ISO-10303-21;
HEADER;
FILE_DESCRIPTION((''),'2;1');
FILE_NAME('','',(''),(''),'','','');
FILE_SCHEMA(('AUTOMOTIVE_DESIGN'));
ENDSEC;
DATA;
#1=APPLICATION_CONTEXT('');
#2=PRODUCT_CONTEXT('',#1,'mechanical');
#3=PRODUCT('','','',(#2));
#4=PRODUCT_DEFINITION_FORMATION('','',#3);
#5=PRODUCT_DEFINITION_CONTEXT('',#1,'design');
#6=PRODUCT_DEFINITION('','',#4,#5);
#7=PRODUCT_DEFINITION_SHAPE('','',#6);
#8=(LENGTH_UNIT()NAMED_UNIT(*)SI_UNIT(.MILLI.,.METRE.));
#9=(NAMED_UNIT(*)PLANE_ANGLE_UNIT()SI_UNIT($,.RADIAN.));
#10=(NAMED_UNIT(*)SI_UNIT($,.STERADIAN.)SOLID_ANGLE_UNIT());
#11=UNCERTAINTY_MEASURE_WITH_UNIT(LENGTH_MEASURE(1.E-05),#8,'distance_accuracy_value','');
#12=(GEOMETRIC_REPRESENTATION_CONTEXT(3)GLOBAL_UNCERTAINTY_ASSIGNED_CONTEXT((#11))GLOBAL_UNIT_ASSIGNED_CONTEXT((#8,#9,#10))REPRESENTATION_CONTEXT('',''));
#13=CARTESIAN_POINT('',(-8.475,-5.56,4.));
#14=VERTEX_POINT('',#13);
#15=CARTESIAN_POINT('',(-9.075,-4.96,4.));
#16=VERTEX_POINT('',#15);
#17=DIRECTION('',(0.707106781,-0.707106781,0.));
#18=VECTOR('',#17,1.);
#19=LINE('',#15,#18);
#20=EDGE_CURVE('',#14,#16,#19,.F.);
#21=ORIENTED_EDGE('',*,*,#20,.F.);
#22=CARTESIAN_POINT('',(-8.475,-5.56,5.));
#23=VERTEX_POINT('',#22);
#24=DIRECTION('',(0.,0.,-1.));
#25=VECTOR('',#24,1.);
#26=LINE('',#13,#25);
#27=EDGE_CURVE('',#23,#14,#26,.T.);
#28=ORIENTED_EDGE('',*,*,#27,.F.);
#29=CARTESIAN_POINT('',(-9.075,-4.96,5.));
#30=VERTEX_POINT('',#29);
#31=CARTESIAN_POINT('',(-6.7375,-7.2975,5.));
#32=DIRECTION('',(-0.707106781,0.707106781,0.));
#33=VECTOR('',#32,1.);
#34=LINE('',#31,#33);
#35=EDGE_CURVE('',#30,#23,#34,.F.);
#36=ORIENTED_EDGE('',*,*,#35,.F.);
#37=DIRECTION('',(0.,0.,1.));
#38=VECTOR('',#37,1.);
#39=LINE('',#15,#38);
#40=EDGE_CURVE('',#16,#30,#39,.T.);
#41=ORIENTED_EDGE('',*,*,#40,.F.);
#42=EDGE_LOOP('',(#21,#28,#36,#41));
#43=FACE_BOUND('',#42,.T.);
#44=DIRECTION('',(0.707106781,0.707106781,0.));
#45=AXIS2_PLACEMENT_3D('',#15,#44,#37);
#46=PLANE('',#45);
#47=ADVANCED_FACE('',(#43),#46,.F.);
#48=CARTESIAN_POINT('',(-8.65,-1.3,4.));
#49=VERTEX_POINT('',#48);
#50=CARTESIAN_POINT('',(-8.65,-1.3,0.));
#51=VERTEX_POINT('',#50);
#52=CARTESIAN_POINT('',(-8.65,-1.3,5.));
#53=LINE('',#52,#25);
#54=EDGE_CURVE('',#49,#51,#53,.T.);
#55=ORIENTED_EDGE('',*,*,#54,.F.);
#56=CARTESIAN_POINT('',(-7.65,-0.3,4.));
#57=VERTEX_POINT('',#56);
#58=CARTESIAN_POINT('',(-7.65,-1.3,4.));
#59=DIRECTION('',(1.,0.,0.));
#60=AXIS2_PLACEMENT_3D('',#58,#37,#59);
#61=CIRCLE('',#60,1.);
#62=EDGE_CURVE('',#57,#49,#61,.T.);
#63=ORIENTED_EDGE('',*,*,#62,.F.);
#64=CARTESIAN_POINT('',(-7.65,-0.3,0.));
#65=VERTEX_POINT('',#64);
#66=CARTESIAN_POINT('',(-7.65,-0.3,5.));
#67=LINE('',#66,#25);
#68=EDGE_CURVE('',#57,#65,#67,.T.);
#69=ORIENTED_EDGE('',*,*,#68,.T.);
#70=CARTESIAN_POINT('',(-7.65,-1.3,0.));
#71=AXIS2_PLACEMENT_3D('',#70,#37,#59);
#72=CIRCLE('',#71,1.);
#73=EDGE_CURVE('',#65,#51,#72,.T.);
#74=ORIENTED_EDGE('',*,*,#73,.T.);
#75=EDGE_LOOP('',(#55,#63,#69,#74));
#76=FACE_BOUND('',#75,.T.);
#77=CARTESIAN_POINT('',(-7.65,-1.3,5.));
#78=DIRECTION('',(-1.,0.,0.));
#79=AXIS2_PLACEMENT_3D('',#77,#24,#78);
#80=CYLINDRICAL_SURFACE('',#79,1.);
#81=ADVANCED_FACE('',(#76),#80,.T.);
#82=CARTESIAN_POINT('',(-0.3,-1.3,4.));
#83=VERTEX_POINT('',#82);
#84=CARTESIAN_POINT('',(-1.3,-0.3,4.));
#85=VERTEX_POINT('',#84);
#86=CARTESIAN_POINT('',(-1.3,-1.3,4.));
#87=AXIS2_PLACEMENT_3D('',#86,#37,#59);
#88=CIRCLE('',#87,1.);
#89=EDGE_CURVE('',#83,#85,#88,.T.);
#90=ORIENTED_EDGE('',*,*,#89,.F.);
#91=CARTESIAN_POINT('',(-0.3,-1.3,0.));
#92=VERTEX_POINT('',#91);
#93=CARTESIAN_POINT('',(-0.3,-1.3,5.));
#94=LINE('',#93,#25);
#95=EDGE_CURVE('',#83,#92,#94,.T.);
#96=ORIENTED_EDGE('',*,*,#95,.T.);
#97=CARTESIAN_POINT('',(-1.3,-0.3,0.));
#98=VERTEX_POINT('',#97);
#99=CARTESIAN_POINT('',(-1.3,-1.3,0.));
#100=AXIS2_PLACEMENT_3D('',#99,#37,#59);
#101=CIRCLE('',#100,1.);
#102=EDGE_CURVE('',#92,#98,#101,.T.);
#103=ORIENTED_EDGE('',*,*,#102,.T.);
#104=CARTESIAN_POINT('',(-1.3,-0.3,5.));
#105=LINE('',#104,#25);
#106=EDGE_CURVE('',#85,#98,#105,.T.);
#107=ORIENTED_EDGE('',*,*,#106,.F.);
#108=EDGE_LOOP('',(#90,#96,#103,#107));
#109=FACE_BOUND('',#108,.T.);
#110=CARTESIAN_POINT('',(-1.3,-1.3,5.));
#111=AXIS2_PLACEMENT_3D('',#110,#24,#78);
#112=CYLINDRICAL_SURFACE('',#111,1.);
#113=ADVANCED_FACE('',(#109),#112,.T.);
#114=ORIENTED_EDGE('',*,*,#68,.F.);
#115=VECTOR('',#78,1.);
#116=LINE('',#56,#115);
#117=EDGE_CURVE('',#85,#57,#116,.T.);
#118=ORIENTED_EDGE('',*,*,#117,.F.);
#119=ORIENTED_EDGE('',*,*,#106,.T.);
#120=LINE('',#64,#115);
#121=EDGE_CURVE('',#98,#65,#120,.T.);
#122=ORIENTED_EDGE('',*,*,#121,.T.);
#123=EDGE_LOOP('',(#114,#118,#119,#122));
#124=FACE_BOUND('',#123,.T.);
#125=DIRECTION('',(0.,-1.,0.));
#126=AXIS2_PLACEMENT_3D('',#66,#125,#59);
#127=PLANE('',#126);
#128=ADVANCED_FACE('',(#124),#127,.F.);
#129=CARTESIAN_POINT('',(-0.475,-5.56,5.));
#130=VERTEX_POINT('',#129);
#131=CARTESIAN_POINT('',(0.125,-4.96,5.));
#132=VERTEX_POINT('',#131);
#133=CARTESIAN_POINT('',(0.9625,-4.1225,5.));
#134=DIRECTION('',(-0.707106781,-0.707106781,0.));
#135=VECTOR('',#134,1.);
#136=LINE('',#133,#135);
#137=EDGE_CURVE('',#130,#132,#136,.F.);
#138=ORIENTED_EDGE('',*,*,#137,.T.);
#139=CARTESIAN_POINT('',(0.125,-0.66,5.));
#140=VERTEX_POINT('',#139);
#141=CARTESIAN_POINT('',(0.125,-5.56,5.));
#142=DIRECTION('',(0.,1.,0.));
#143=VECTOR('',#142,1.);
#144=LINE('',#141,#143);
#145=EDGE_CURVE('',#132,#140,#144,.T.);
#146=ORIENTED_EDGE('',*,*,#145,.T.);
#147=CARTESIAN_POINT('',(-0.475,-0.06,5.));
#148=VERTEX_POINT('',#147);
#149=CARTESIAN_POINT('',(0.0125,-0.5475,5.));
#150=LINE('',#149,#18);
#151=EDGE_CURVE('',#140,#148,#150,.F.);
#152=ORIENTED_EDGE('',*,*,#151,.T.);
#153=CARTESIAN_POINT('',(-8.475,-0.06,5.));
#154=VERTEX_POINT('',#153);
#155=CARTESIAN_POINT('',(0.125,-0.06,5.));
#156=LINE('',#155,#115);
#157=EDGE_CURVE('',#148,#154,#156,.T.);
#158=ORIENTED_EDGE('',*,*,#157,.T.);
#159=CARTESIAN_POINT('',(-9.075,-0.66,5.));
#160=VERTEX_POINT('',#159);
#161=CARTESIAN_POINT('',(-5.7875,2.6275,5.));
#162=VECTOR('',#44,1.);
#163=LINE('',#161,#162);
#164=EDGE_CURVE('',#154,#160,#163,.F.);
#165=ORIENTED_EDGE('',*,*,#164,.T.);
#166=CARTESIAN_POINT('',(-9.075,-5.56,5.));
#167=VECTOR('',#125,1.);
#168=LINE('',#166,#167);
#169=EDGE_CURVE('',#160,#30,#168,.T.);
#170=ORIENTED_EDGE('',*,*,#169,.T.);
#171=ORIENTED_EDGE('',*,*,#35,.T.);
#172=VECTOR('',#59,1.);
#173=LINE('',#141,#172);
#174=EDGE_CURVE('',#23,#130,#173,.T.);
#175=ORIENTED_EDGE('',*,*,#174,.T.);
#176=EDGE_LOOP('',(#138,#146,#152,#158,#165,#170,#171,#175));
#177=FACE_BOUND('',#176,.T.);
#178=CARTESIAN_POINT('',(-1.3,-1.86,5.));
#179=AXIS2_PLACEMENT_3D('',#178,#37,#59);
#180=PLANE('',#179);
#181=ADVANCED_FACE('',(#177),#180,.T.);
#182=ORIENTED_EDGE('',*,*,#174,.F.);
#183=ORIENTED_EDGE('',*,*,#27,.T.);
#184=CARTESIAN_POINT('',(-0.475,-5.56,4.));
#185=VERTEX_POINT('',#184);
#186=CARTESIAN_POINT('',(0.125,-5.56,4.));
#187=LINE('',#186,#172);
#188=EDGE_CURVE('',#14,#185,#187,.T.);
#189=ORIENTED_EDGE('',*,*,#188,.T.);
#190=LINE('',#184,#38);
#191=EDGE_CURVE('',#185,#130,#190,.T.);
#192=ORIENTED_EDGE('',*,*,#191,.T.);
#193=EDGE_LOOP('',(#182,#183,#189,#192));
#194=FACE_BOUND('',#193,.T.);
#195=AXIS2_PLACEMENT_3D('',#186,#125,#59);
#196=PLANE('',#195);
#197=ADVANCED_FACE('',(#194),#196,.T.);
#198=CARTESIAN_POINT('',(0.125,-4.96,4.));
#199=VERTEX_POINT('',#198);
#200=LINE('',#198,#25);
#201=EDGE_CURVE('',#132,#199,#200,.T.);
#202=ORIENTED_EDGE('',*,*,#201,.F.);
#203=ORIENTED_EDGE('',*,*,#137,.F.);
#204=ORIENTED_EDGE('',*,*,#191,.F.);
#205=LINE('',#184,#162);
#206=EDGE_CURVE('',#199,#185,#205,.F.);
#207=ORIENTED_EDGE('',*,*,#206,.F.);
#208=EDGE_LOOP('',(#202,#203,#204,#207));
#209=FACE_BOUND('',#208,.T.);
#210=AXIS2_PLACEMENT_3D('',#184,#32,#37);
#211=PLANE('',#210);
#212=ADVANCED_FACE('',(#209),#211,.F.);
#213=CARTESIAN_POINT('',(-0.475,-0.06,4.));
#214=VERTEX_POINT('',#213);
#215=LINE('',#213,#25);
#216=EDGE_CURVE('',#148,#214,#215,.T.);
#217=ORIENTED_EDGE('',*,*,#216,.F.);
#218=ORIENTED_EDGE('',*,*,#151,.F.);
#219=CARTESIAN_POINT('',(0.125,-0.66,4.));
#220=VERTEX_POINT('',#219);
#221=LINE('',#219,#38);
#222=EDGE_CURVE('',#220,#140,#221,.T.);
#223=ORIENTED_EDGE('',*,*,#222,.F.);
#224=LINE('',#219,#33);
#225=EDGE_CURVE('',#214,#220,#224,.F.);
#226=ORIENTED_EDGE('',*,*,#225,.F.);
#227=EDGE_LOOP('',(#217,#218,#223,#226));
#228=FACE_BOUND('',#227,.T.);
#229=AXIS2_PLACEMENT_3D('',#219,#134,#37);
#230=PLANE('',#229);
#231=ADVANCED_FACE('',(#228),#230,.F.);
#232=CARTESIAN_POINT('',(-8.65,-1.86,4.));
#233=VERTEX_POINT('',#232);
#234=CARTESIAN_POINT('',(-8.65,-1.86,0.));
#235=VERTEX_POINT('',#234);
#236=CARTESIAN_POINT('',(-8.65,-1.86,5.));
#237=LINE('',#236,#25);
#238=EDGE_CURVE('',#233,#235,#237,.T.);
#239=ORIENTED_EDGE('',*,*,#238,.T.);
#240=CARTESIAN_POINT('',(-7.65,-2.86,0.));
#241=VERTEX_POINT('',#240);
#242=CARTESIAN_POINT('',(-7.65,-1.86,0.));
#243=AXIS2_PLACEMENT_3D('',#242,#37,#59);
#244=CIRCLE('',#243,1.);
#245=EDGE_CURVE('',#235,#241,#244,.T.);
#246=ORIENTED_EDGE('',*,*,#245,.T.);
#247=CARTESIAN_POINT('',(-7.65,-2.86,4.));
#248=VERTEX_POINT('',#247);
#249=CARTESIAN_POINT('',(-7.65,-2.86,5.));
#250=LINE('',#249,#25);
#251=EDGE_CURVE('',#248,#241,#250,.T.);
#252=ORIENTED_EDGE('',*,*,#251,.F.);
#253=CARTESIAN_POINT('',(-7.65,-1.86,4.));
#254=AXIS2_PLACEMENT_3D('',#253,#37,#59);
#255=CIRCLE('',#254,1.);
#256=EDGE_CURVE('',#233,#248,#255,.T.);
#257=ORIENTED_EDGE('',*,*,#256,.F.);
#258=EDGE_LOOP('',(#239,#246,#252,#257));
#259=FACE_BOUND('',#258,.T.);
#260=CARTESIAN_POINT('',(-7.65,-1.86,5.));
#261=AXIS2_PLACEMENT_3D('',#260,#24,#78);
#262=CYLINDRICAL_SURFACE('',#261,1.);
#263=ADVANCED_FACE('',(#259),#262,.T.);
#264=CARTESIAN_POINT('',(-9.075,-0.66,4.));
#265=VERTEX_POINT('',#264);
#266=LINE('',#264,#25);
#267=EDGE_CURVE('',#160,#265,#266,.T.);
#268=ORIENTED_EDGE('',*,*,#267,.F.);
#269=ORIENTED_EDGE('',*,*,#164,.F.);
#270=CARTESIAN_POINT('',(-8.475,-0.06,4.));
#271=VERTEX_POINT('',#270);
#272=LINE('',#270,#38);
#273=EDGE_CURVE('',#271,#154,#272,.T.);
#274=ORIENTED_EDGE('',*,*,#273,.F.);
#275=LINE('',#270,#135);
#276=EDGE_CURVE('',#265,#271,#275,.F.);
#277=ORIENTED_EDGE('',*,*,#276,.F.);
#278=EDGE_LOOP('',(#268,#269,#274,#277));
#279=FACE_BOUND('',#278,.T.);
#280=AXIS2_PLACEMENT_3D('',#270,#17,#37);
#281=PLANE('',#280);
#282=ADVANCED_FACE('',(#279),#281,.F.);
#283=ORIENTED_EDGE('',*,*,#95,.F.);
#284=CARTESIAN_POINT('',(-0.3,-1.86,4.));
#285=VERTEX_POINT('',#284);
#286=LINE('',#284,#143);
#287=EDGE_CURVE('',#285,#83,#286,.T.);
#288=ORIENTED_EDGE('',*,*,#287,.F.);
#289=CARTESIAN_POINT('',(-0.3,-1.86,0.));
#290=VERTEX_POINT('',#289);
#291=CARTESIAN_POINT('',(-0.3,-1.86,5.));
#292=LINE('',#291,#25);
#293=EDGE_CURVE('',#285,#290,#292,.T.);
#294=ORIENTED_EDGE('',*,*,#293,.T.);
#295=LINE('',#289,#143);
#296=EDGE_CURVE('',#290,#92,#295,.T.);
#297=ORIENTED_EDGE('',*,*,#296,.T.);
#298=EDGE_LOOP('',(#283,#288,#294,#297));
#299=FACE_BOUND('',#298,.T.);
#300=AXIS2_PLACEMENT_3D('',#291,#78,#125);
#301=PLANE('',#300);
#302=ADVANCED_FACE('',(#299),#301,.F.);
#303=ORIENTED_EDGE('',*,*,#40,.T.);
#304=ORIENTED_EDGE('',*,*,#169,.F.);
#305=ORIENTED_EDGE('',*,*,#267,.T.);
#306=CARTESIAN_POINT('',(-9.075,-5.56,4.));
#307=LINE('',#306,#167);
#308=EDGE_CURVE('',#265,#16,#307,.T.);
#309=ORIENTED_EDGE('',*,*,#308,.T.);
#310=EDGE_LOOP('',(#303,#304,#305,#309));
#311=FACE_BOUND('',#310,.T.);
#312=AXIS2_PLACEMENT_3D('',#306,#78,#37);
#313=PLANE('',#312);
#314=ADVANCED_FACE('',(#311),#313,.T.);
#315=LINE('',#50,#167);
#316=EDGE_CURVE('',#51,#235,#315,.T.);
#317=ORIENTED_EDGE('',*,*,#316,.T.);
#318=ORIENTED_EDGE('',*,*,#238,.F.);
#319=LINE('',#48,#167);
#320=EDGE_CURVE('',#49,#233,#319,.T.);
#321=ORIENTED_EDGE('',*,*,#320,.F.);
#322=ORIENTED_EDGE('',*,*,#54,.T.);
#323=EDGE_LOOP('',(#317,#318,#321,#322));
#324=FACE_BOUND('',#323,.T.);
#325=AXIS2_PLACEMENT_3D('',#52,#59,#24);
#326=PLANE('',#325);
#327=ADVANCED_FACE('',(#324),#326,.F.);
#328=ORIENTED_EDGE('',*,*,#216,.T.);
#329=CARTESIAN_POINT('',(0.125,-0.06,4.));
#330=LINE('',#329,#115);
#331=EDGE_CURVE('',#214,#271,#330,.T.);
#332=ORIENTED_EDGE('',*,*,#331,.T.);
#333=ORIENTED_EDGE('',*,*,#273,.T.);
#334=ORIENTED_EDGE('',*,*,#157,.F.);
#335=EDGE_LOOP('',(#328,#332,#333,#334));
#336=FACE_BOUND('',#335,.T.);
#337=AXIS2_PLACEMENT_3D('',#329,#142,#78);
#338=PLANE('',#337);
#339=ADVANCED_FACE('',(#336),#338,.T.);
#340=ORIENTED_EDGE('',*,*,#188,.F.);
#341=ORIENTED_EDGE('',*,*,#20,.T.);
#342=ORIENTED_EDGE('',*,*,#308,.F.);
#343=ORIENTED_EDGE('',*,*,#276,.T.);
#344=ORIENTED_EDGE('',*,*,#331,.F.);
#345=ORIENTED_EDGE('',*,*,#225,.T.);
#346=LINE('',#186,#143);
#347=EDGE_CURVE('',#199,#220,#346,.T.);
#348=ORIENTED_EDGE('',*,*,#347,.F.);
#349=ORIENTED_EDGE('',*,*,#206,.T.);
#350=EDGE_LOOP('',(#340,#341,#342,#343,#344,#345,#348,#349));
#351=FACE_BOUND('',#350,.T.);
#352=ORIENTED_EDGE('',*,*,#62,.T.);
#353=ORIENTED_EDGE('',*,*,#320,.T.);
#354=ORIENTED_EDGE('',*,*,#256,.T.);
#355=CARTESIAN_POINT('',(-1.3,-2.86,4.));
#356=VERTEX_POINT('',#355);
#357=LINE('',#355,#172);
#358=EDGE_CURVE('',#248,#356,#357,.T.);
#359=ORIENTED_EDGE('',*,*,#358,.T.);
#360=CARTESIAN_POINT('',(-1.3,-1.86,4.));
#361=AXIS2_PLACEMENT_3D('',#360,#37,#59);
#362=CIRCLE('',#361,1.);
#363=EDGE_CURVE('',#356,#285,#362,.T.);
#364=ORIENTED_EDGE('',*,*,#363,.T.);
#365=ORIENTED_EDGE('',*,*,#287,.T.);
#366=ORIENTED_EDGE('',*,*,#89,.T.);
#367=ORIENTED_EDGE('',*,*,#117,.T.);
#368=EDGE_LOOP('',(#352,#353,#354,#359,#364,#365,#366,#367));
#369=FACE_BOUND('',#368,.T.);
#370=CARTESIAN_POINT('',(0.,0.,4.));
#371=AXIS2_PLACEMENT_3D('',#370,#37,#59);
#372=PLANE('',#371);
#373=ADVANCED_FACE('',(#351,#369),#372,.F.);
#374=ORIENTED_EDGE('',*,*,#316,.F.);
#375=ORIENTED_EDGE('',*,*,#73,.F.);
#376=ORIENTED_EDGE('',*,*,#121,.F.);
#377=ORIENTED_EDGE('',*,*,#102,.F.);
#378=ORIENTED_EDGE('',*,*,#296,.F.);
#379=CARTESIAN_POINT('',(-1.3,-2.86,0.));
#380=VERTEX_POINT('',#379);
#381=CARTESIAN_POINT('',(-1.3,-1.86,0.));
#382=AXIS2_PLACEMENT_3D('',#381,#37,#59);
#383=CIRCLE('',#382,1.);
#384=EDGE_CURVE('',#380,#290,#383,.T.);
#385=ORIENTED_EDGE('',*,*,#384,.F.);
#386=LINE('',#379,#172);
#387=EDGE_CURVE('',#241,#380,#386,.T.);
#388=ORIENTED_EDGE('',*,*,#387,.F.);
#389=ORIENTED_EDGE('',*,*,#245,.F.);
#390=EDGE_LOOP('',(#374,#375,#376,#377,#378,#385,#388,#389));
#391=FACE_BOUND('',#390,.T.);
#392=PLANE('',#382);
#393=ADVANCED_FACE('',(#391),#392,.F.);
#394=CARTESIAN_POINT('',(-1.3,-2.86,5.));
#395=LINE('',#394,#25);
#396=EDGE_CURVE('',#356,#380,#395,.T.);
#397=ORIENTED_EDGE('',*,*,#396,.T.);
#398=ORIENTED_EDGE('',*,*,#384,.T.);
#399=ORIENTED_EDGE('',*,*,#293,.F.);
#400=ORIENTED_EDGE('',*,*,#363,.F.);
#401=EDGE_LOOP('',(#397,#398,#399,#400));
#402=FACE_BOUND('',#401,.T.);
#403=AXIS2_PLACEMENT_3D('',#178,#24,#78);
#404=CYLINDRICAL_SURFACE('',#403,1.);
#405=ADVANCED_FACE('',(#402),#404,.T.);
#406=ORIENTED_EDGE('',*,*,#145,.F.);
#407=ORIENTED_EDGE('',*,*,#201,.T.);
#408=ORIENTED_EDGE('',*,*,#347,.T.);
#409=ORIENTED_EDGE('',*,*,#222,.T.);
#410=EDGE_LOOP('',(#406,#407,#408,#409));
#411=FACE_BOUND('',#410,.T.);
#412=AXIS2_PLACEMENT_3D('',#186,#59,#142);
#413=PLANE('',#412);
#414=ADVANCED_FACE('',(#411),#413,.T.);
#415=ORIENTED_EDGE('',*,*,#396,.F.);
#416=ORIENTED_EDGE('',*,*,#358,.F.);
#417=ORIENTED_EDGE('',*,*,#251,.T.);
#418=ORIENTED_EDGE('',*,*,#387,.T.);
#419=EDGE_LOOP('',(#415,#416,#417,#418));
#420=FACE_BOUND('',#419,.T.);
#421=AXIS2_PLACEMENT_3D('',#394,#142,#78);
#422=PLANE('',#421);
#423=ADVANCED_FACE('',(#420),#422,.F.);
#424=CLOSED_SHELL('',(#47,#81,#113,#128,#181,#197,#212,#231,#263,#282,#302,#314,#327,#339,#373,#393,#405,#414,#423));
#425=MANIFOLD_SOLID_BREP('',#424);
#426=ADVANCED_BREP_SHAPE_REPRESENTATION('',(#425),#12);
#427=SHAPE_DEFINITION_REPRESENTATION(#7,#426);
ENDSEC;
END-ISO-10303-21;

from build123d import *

# Parameters (mm, degrees)
BOSS_EXTRUDE1_DEPTH = 5
SKETCH2_W           = 9.2
SKETCH2_H           = 5.5
BOSS_EXTRUDE2_DEPTH = 1
CHAMFER1_SIZE       = 0.6


with BuildPart() as part:
    # Sketch1 → Boss-Extrude1 (new body)
    with BuildSketch(Plane.XY):
        with BuildLine():
            Line((-4.17, -0.3), (-1.3, -0.3))
            ThreePointArc((-1.3, -0.3), (-0.592893219, -0.592893219), (-0.3, -1.3))
            Line((-0.3, -1.3), (-0.3, -1.86))
            ThreePointArc((-0.3, -1.86), (-0.592893219, -2.567106781), (-1.3, -2.86))
            Line((-1.3, -2.86), (-7.65, -2.86))
            ThreePointArc((-7.65, -2.86), (-8.357106781, -2.567106781), (-8.65, -1.86))
            Line((-8.65, -1.86), (-8.65, -1.3))
            ThreePointArc((-8.65, -1.3), (-8.357106781, -0.592893219), (-7.65, -0.3))
            Line((-7.65, -0.3), (-4.17, -0.3))
        make_face()
    extrude(amount=BOSS_EXTRUDE1_DEPTH)

    # Sketch2 → Boss-Extrude2 (add)
    with BuildSketch(Plane.XY.offset(5)):
        with Locations((-4.475, -2.81)):
            Rectangle(SKETCH2_W, SKETCH2_H)
    extrude(amount=-BOSS_EXTRUDE2_DEPTH)

    # Chamfer1
    chamfer1_edges = [part.edges().sort_by_distance(p)[0] for p in [
        (0.125, -0.06, 4.5),
        (0.125, -5.56, 4.5),
        (-9.075, -5.56, 4.5),
        (-9.075, -0.06, 4.5),
    ]]
    chamfer(chamfer1_edges, length=CHAMFER1_SIZE)


solid = part.part
